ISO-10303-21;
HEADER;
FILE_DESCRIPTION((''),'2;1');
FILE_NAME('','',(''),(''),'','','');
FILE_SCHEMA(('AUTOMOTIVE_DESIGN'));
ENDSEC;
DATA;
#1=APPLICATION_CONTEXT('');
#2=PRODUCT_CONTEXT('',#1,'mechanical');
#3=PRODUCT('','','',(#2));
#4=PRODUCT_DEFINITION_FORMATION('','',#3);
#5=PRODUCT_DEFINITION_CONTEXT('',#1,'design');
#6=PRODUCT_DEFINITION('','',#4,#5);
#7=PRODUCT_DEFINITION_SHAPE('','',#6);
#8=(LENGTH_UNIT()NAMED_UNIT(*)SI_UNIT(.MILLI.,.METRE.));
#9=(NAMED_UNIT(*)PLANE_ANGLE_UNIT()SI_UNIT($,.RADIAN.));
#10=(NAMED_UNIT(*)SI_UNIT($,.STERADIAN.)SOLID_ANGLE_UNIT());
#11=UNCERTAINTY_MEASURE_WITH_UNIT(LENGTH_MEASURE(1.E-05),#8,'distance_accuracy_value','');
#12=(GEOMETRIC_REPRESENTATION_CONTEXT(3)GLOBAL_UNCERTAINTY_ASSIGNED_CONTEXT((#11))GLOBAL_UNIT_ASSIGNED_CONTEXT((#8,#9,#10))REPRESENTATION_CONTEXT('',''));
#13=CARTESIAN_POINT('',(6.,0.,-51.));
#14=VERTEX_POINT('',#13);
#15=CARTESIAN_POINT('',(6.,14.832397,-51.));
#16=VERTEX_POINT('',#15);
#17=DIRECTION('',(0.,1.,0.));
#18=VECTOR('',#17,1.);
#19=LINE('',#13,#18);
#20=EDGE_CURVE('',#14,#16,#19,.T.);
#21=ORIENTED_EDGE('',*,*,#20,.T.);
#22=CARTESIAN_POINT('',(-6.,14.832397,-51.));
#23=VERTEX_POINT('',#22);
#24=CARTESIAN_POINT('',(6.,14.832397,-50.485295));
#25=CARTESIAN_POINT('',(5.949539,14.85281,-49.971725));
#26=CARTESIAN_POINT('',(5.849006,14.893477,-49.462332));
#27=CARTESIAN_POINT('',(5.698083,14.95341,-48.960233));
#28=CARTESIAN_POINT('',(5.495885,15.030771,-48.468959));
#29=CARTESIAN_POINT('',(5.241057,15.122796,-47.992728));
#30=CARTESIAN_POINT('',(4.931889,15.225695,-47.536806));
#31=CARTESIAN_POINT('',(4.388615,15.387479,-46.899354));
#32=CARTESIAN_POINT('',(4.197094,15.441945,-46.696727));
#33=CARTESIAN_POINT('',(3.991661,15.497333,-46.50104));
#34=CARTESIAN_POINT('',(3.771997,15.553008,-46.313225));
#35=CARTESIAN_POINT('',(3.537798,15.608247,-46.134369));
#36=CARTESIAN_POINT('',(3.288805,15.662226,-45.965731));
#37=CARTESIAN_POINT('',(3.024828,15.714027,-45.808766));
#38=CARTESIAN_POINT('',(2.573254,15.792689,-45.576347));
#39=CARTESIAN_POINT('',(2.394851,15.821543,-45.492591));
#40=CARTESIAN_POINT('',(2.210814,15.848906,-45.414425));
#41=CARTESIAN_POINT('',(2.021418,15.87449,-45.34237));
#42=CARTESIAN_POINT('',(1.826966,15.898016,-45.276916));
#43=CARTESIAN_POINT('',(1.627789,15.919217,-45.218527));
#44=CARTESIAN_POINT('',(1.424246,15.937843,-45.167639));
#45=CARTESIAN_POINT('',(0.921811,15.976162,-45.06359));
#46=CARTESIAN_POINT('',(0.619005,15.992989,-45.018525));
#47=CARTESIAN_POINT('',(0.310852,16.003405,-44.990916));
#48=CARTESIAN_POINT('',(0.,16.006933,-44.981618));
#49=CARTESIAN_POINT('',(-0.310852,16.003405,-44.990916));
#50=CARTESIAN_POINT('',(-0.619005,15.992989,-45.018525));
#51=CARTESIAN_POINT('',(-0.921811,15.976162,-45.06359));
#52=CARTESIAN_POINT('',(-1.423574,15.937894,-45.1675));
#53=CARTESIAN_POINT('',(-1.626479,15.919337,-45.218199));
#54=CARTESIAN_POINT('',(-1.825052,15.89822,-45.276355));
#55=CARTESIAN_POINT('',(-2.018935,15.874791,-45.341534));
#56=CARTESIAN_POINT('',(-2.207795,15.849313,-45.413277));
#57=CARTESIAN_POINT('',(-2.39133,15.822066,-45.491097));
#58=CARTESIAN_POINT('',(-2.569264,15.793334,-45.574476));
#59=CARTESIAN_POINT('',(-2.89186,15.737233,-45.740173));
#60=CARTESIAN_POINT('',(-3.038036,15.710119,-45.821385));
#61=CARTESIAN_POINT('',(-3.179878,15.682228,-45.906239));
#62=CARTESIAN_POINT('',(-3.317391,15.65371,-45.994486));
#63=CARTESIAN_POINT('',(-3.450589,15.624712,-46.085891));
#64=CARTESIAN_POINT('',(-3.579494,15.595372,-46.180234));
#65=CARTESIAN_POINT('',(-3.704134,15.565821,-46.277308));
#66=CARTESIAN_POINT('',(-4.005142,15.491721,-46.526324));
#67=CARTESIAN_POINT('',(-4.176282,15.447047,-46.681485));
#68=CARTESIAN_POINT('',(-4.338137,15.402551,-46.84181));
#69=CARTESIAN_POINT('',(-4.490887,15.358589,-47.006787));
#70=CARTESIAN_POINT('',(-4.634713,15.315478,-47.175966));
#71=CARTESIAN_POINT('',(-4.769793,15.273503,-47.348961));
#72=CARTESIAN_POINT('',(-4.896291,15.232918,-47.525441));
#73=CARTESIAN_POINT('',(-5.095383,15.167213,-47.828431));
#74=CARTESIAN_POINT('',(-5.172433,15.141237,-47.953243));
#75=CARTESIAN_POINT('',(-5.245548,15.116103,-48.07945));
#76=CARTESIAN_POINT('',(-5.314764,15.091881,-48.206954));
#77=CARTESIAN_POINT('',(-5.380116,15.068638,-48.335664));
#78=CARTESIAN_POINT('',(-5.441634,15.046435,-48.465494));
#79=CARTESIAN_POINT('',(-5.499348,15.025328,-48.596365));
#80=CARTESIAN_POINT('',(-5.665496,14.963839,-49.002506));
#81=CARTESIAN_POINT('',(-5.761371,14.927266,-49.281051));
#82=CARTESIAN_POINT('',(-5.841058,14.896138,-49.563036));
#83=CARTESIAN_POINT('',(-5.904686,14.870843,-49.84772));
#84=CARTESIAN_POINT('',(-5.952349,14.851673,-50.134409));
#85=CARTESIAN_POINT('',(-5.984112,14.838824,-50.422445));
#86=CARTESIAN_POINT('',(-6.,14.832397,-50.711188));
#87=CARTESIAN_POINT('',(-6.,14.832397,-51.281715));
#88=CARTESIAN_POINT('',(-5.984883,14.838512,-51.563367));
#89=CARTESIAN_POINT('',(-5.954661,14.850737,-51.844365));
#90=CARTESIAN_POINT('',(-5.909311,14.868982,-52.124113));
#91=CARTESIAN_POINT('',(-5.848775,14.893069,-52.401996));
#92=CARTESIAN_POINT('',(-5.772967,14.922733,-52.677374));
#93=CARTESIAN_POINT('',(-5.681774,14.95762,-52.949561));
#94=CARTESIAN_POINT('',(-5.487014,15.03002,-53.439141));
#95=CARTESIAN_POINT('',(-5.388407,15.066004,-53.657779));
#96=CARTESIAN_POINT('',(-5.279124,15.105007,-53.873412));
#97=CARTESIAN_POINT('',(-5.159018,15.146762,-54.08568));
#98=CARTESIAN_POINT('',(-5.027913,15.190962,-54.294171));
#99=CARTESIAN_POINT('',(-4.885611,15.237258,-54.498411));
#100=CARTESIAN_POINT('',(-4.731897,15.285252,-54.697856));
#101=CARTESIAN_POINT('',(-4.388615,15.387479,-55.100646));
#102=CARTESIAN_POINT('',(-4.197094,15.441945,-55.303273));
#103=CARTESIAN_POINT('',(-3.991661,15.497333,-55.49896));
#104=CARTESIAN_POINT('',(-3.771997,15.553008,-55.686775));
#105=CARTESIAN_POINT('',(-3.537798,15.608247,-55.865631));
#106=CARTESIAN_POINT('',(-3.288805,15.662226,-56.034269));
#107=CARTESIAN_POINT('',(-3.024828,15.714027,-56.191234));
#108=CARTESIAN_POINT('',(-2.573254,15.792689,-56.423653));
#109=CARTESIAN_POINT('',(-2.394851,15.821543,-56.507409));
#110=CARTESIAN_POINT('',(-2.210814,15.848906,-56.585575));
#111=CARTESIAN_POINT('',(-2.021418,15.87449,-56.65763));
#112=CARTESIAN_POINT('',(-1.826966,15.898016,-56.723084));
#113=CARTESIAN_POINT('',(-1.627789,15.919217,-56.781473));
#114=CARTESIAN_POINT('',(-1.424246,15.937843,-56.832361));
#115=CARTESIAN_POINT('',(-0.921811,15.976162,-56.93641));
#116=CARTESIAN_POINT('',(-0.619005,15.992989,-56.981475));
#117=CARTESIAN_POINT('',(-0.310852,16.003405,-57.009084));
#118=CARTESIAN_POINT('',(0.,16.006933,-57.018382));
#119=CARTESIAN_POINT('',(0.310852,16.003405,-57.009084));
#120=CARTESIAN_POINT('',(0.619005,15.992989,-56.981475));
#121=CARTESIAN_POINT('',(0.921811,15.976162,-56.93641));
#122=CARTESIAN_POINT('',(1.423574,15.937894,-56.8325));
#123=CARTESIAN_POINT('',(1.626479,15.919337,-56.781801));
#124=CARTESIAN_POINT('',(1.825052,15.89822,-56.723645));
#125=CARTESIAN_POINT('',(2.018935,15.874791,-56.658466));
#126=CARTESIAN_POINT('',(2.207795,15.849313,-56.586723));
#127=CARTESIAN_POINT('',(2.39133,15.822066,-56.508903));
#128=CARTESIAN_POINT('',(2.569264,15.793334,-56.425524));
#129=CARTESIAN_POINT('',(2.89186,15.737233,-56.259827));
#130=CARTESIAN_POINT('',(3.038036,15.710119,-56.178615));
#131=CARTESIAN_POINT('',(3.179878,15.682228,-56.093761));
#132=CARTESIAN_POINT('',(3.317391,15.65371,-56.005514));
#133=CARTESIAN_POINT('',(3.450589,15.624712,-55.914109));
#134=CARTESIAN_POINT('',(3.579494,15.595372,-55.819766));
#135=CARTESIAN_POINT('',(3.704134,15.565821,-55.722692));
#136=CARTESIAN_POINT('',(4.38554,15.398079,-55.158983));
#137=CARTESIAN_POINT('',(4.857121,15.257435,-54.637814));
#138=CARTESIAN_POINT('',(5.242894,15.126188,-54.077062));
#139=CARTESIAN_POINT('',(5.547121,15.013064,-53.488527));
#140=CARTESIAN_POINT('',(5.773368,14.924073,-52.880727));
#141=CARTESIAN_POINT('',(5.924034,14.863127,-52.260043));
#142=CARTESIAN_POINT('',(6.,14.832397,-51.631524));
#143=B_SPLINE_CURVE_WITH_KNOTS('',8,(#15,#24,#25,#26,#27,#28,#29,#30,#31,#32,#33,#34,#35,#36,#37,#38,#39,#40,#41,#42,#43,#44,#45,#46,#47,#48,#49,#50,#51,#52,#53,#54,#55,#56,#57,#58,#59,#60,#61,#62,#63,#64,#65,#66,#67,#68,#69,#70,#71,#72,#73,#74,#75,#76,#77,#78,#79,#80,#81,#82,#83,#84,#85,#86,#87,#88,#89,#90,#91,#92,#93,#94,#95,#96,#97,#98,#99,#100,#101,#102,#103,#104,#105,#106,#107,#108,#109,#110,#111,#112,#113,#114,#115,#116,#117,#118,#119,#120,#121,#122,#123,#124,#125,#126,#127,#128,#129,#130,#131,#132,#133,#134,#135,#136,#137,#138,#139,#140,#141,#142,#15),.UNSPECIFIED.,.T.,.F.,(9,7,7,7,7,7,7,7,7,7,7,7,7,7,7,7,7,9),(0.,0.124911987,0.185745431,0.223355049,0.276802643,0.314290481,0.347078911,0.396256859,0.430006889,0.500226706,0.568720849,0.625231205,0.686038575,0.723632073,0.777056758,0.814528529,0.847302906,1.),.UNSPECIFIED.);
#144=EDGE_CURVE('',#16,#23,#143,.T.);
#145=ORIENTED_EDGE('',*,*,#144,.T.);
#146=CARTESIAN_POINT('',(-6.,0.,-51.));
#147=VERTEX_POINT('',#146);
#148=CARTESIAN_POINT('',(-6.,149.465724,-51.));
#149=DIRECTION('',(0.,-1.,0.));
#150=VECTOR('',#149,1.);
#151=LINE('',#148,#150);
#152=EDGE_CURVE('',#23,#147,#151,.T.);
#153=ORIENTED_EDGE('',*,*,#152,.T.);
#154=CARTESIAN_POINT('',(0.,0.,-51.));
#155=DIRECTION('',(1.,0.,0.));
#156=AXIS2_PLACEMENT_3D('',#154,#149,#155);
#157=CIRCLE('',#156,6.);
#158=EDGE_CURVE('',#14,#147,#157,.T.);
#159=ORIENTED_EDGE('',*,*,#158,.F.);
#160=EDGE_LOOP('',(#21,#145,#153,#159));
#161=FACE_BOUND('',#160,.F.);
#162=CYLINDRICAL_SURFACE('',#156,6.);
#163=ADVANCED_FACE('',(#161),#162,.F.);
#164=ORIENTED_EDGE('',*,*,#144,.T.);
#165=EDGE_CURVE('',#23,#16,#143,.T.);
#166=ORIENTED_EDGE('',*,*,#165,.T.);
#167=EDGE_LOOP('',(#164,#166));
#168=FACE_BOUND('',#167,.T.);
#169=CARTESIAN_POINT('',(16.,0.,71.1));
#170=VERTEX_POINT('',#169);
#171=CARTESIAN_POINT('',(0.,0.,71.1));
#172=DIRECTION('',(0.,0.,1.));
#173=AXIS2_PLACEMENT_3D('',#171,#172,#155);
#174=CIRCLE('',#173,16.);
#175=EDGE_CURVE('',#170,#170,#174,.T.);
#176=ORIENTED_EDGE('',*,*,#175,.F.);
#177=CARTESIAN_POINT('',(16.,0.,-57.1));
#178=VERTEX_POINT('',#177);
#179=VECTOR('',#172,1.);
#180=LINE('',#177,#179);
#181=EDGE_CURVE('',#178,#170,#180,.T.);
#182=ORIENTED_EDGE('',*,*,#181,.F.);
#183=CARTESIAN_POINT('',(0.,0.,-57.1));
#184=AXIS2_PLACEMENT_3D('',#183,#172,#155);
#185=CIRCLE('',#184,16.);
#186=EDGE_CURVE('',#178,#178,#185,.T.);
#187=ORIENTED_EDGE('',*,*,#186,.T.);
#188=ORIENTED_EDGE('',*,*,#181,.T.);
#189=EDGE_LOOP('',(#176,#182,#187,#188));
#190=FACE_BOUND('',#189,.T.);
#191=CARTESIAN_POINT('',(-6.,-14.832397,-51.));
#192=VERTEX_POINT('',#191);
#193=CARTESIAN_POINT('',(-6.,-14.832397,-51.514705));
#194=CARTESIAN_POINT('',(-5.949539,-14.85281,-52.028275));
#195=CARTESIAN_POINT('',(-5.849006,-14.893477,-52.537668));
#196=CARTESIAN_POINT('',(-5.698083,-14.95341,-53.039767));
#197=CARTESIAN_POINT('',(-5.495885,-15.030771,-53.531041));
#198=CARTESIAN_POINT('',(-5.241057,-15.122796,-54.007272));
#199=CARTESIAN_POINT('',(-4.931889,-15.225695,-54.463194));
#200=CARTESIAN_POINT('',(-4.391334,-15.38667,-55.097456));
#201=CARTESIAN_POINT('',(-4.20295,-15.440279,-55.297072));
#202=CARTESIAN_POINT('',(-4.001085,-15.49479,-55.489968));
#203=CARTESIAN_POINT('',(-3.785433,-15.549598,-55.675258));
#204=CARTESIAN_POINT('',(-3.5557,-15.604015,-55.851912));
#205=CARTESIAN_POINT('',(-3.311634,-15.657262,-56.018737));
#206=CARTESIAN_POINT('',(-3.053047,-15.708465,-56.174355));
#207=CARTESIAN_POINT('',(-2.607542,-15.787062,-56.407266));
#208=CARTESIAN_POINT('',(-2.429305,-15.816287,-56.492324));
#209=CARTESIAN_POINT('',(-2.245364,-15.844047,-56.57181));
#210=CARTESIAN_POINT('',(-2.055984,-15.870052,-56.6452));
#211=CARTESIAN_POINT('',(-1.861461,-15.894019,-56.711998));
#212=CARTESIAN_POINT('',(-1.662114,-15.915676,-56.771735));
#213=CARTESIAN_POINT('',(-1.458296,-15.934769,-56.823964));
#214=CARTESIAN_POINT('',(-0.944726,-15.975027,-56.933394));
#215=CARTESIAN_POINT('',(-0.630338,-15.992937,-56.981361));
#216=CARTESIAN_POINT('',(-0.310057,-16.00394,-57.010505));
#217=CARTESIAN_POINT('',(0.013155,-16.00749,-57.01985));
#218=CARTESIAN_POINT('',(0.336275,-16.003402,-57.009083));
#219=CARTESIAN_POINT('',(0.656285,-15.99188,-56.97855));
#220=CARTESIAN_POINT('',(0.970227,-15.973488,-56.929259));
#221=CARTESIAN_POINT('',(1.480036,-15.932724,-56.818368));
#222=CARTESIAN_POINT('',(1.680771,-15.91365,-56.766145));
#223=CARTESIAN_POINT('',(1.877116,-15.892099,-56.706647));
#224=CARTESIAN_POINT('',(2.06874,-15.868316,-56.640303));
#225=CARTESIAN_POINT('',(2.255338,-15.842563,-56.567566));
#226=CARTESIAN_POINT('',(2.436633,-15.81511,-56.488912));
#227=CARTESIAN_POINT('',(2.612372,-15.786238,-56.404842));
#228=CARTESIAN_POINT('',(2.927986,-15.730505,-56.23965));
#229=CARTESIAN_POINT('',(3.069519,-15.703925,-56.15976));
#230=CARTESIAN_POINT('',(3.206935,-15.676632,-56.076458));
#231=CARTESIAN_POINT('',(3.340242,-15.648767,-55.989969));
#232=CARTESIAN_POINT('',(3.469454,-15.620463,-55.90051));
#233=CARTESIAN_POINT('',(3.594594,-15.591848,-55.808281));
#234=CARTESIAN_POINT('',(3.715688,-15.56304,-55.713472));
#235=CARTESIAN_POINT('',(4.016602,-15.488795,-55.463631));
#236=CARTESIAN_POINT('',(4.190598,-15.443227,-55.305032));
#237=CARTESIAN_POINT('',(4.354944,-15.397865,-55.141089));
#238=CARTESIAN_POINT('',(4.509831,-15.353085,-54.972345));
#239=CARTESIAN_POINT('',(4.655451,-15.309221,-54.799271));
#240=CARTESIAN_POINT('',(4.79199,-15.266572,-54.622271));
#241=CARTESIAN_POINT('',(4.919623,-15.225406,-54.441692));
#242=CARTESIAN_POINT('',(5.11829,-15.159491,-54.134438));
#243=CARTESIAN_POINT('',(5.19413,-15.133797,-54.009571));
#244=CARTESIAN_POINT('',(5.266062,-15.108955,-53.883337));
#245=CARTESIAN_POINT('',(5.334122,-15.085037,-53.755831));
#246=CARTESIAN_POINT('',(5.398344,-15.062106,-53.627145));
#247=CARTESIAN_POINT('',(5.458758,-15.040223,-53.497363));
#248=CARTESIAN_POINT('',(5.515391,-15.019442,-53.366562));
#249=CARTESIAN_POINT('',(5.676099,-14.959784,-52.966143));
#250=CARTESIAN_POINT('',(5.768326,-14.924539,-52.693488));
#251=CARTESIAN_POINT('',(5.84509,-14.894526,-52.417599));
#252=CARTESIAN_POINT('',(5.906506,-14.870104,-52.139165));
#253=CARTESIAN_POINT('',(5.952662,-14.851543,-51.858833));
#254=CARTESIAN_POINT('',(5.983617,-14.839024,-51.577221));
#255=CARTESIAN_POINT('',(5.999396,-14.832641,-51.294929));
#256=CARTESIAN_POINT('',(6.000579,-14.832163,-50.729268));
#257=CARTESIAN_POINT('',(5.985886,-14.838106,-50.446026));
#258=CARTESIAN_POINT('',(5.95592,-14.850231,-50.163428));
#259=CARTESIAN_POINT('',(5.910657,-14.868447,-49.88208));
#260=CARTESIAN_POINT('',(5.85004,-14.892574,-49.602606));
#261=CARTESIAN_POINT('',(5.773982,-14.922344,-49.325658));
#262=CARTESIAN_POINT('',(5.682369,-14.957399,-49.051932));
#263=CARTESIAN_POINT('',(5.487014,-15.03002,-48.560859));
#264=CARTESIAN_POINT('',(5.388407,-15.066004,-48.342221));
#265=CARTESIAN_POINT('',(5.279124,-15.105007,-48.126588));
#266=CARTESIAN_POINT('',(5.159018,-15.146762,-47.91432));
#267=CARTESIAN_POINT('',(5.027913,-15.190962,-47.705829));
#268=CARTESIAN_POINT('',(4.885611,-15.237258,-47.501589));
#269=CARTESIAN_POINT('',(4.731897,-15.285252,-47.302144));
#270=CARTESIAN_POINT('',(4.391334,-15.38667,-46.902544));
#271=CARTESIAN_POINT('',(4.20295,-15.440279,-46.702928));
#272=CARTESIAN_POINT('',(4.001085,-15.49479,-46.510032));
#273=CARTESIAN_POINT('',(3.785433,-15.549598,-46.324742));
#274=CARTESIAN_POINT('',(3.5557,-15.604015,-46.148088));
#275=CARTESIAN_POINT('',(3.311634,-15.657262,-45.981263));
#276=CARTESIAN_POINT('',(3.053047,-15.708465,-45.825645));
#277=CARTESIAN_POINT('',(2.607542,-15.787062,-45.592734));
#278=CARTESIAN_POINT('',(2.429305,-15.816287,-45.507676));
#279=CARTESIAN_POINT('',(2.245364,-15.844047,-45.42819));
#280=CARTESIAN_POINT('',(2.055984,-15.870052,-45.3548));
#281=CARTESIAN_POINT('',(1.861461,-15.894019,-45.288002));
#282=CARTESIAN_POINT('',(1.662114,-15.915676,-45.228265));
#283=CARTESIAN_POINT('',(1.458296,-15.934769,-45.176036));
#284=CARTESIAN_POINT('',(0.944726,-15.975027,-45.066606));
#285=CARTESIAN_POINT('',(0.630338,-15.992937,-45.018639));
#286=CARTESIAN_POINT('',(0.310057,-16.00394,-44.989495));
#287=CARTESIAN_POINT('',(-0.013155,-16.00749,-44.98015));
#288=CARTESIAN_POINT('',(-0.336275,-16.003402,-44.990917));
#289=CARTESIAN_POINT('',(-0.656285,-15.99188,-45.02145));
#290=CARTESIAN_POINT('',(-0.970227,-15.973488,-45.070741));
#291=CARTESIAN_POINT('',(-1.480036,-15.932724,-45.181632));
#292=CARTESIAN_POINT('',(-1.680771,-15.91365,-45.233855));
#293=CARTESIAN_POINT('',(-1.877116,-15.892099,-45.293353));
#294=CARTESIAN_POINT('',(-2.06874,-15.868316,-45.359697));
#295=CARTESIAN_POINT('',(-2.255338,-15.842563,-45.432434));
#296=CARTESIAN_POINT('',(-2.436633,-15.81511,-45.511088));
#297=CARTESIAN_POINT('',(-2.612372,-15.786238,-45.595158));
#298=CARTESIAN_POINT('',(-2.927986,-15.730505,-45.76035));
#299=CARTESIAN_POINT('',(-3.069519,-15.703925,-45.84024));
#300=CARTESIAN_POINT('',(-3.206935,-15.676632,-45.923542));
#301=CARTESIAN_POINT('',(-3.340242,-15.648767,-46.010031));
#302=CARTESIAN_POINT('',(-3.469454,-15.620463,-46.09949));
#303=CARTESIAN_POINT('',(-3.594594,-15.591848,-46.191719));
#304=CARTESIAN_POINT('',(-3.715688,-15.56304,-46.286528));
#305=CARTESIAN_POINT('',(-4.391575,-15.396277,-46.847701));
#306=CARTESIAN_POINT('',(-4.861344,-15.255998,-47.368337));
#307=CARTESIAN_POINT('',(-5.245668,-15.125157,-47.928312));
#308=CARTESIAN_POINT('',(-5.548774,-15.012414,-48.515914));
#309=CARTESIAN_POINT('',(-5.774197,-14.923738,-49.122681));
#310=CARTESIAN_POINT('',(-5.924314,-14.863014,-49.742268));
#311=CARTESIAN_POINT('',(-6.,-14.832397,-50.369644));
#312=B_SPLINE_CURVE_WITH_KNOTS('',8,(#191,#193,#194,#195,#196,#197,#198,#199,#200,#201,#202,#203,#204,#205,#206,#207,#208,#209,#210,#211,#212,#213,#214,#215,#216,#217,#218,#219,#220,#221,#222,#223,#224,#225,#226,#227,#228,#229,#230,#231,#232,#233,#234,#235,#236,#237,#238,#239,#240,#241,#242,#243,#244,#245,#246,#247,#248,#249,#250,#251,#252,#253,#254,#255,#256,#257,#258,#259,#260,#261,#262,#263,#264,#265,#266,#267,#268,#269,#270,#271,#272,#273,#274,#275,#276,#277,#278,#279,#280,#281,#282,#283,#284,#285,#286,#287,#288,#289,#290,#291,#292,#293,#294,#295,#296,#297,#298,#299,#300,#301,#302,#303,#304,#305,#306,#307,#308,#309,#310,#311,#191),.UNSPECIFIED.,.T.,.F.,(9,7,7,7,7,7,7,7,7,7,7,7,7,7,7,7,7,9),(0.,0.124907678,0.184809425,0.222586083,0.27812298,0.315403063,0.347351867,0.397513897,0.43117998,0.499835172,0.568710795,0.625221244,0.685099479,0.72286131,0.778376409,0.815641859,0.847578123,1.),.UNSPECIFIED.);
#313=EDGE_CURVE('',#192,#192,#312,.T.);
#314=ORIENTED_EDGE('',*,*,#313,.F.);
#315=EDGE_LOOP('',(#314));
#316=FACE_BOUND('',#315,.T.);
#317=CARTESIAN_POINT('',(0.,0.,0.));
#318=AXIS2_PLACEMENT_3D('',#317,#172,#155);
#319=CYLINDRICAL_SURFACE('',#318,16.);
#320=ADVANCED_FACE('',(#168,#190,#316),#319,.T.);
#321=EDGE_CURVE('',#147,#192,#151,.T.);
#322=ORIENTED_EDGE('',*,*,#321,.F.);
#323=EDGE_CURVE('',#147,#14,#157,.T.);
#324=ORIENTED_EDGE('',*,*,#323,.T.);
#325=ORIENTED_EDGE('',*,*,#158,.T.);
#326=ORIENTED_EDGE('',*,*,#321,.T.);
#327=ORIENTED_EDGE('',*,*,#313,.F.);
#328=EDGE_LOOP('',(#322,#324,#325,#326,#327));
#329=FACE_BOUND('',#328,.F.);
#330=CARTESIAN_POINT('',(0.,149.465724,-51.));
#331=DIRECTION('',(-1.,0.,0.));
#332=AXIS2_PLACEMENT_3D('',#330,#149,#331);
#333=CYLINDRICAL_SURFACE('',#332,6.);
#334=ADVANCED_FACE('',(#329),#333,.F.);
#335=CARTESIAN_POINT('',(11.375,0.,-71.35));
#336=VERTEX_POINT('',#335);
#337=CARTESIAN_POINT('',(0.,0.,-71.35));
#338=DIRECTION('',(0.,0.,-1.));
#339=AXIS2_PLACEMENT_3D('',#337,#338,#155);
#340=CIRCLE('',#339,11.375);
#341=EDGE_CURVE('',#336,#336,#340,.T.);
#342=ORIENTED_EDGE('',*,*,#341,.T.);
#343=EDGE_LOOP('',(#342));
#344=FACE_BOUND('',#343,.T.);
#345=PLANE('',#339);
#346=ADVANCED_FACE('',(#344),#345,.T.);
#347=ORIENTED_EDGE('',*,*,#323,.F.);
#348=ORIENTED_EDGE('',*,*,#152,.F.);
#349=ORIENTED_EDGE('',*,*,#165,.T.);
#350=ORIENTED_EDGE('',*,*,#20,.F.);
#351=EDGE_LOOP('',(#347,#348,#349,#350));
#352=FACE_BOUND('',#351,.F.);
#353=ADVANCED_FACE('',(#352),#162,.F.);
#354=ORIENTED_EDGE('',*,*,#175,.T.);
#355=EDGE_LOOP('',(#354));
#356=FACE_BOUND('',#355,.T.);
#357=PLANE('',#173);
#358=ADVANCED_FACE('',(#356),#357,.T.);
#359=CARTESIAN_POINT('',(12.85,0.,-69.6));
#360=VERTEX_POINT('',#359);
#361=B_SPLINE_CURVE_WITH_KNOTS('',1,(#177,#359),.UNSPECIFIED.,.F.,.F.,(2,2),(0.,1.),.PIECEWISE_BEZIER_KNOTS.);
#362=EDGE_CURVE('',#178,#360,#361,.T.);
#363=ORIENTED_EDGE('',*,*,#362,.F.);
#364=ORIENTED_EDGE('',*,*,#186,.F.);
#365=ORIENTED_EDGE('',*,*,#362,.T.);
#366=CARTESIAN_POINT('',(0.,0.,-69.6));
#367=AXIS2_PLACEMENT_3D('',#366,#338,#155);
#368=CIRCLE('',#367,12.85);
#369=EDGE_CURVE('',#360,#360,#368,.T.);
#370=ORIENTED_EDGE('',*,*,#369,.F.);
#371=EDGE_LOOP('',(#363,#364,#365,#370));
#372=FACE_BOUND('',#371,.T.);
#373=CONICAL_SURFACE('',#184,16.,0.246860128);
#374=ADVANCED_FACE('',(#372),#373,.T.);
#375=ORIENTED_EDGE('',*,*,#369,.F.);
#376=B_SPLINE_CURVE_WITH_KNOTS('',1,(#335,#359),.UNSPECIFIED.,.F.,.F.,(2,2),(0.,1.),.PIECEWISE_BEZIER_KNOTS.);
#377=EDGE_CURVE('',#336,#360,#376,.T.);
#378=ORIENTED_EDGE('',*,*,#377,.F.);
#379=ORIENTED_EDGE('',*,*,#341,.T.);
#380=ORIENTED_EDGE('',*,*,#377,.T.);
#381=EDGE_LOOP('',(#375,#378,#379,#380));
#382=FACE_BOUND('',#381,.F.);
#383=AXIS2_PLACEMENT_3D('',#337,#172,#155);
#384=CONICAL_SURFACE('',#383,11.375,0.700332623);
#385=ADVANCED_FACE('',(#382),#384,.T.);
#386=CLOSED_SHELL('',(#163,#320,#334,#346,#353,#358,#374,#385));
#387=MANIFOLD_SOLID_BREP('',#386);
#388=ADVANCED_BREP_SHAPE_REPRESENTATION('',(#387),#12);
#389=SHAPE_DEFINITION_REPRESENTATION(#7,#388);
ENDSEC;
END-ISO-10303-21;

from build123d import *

# Parameters (mm, degrees)
F1_R      = 16
F2_DEPTH  = 71.1
F3_DEPTH  = 57.1
F3_FACE_R = 16
F5_R      = 12.85
F8_R      = 11.375
F6_FACE_R = 12.85
F10_D     = 12
F10_DEPTH = 16.0010001
F12_D     = 12


with BuildPart() as f2:
    # F1 (on Top) → F2 (new body)
    with BuildSketch(Plane.XY):
        Circle(F1_R)
    extrude(amount=F2_DEPTH)

    # F3 (add): a face of the model
    f3_faces = [f2.faces().sort_by_distance(p)[0] for p in [
        (0, 0, 0),
    ]]
    extrude(f3_faces, amount=F3_DEPTH)

    # F3_face (on face) → F6 section 0
    with BuildSketch(Plane(origin=(0, 0, -57.1), x_dir=(1, 0, 0), z_dir=(0, 0, -1))):
        Circle(F3_FACE_R)
    # F5 (on offset) → F6 section 1
    with BuildSketch(Plane(origin=(0, 0, -69.6), x_dir=(1, 0, 0), z_dir=(0, 0, -1))):
        Circle(F5_R)
    loft()

    # F8 (on offset) → F9 section 0
    with BuildSketch(Plane(origin=(0, 0, -71.35), x_dir=(1, 0, 0), z_dir=(0, 0, -1))):
        Circle(F8_R)
    # F6_face (on face) → F9 section 1
    with BuildSketch(Plane(origin=(0, 0, -69.6), x_dir=(1, 0, 0), z_dir=(0, 0, -1))):
        Circle(F6_FACE_R)
    loft()

    # F10 (through all, one way)
    with BuildSketch(Plane.XZ):
        with Locations((0, -51)):
            Circle(F10_D / 2)
    extrude(amount=-F10_DEPTH, mode=Mode.SUBTRACT)

    # F12 (through all)
    with Locations(Plane(origin=(0, 0, 0), x_dir=(1, 0, 0), z_dir=(0, 1, 0))):
        with Locations((0, 51)):
            Hole(F12_D / 2)


solid = f2.part
